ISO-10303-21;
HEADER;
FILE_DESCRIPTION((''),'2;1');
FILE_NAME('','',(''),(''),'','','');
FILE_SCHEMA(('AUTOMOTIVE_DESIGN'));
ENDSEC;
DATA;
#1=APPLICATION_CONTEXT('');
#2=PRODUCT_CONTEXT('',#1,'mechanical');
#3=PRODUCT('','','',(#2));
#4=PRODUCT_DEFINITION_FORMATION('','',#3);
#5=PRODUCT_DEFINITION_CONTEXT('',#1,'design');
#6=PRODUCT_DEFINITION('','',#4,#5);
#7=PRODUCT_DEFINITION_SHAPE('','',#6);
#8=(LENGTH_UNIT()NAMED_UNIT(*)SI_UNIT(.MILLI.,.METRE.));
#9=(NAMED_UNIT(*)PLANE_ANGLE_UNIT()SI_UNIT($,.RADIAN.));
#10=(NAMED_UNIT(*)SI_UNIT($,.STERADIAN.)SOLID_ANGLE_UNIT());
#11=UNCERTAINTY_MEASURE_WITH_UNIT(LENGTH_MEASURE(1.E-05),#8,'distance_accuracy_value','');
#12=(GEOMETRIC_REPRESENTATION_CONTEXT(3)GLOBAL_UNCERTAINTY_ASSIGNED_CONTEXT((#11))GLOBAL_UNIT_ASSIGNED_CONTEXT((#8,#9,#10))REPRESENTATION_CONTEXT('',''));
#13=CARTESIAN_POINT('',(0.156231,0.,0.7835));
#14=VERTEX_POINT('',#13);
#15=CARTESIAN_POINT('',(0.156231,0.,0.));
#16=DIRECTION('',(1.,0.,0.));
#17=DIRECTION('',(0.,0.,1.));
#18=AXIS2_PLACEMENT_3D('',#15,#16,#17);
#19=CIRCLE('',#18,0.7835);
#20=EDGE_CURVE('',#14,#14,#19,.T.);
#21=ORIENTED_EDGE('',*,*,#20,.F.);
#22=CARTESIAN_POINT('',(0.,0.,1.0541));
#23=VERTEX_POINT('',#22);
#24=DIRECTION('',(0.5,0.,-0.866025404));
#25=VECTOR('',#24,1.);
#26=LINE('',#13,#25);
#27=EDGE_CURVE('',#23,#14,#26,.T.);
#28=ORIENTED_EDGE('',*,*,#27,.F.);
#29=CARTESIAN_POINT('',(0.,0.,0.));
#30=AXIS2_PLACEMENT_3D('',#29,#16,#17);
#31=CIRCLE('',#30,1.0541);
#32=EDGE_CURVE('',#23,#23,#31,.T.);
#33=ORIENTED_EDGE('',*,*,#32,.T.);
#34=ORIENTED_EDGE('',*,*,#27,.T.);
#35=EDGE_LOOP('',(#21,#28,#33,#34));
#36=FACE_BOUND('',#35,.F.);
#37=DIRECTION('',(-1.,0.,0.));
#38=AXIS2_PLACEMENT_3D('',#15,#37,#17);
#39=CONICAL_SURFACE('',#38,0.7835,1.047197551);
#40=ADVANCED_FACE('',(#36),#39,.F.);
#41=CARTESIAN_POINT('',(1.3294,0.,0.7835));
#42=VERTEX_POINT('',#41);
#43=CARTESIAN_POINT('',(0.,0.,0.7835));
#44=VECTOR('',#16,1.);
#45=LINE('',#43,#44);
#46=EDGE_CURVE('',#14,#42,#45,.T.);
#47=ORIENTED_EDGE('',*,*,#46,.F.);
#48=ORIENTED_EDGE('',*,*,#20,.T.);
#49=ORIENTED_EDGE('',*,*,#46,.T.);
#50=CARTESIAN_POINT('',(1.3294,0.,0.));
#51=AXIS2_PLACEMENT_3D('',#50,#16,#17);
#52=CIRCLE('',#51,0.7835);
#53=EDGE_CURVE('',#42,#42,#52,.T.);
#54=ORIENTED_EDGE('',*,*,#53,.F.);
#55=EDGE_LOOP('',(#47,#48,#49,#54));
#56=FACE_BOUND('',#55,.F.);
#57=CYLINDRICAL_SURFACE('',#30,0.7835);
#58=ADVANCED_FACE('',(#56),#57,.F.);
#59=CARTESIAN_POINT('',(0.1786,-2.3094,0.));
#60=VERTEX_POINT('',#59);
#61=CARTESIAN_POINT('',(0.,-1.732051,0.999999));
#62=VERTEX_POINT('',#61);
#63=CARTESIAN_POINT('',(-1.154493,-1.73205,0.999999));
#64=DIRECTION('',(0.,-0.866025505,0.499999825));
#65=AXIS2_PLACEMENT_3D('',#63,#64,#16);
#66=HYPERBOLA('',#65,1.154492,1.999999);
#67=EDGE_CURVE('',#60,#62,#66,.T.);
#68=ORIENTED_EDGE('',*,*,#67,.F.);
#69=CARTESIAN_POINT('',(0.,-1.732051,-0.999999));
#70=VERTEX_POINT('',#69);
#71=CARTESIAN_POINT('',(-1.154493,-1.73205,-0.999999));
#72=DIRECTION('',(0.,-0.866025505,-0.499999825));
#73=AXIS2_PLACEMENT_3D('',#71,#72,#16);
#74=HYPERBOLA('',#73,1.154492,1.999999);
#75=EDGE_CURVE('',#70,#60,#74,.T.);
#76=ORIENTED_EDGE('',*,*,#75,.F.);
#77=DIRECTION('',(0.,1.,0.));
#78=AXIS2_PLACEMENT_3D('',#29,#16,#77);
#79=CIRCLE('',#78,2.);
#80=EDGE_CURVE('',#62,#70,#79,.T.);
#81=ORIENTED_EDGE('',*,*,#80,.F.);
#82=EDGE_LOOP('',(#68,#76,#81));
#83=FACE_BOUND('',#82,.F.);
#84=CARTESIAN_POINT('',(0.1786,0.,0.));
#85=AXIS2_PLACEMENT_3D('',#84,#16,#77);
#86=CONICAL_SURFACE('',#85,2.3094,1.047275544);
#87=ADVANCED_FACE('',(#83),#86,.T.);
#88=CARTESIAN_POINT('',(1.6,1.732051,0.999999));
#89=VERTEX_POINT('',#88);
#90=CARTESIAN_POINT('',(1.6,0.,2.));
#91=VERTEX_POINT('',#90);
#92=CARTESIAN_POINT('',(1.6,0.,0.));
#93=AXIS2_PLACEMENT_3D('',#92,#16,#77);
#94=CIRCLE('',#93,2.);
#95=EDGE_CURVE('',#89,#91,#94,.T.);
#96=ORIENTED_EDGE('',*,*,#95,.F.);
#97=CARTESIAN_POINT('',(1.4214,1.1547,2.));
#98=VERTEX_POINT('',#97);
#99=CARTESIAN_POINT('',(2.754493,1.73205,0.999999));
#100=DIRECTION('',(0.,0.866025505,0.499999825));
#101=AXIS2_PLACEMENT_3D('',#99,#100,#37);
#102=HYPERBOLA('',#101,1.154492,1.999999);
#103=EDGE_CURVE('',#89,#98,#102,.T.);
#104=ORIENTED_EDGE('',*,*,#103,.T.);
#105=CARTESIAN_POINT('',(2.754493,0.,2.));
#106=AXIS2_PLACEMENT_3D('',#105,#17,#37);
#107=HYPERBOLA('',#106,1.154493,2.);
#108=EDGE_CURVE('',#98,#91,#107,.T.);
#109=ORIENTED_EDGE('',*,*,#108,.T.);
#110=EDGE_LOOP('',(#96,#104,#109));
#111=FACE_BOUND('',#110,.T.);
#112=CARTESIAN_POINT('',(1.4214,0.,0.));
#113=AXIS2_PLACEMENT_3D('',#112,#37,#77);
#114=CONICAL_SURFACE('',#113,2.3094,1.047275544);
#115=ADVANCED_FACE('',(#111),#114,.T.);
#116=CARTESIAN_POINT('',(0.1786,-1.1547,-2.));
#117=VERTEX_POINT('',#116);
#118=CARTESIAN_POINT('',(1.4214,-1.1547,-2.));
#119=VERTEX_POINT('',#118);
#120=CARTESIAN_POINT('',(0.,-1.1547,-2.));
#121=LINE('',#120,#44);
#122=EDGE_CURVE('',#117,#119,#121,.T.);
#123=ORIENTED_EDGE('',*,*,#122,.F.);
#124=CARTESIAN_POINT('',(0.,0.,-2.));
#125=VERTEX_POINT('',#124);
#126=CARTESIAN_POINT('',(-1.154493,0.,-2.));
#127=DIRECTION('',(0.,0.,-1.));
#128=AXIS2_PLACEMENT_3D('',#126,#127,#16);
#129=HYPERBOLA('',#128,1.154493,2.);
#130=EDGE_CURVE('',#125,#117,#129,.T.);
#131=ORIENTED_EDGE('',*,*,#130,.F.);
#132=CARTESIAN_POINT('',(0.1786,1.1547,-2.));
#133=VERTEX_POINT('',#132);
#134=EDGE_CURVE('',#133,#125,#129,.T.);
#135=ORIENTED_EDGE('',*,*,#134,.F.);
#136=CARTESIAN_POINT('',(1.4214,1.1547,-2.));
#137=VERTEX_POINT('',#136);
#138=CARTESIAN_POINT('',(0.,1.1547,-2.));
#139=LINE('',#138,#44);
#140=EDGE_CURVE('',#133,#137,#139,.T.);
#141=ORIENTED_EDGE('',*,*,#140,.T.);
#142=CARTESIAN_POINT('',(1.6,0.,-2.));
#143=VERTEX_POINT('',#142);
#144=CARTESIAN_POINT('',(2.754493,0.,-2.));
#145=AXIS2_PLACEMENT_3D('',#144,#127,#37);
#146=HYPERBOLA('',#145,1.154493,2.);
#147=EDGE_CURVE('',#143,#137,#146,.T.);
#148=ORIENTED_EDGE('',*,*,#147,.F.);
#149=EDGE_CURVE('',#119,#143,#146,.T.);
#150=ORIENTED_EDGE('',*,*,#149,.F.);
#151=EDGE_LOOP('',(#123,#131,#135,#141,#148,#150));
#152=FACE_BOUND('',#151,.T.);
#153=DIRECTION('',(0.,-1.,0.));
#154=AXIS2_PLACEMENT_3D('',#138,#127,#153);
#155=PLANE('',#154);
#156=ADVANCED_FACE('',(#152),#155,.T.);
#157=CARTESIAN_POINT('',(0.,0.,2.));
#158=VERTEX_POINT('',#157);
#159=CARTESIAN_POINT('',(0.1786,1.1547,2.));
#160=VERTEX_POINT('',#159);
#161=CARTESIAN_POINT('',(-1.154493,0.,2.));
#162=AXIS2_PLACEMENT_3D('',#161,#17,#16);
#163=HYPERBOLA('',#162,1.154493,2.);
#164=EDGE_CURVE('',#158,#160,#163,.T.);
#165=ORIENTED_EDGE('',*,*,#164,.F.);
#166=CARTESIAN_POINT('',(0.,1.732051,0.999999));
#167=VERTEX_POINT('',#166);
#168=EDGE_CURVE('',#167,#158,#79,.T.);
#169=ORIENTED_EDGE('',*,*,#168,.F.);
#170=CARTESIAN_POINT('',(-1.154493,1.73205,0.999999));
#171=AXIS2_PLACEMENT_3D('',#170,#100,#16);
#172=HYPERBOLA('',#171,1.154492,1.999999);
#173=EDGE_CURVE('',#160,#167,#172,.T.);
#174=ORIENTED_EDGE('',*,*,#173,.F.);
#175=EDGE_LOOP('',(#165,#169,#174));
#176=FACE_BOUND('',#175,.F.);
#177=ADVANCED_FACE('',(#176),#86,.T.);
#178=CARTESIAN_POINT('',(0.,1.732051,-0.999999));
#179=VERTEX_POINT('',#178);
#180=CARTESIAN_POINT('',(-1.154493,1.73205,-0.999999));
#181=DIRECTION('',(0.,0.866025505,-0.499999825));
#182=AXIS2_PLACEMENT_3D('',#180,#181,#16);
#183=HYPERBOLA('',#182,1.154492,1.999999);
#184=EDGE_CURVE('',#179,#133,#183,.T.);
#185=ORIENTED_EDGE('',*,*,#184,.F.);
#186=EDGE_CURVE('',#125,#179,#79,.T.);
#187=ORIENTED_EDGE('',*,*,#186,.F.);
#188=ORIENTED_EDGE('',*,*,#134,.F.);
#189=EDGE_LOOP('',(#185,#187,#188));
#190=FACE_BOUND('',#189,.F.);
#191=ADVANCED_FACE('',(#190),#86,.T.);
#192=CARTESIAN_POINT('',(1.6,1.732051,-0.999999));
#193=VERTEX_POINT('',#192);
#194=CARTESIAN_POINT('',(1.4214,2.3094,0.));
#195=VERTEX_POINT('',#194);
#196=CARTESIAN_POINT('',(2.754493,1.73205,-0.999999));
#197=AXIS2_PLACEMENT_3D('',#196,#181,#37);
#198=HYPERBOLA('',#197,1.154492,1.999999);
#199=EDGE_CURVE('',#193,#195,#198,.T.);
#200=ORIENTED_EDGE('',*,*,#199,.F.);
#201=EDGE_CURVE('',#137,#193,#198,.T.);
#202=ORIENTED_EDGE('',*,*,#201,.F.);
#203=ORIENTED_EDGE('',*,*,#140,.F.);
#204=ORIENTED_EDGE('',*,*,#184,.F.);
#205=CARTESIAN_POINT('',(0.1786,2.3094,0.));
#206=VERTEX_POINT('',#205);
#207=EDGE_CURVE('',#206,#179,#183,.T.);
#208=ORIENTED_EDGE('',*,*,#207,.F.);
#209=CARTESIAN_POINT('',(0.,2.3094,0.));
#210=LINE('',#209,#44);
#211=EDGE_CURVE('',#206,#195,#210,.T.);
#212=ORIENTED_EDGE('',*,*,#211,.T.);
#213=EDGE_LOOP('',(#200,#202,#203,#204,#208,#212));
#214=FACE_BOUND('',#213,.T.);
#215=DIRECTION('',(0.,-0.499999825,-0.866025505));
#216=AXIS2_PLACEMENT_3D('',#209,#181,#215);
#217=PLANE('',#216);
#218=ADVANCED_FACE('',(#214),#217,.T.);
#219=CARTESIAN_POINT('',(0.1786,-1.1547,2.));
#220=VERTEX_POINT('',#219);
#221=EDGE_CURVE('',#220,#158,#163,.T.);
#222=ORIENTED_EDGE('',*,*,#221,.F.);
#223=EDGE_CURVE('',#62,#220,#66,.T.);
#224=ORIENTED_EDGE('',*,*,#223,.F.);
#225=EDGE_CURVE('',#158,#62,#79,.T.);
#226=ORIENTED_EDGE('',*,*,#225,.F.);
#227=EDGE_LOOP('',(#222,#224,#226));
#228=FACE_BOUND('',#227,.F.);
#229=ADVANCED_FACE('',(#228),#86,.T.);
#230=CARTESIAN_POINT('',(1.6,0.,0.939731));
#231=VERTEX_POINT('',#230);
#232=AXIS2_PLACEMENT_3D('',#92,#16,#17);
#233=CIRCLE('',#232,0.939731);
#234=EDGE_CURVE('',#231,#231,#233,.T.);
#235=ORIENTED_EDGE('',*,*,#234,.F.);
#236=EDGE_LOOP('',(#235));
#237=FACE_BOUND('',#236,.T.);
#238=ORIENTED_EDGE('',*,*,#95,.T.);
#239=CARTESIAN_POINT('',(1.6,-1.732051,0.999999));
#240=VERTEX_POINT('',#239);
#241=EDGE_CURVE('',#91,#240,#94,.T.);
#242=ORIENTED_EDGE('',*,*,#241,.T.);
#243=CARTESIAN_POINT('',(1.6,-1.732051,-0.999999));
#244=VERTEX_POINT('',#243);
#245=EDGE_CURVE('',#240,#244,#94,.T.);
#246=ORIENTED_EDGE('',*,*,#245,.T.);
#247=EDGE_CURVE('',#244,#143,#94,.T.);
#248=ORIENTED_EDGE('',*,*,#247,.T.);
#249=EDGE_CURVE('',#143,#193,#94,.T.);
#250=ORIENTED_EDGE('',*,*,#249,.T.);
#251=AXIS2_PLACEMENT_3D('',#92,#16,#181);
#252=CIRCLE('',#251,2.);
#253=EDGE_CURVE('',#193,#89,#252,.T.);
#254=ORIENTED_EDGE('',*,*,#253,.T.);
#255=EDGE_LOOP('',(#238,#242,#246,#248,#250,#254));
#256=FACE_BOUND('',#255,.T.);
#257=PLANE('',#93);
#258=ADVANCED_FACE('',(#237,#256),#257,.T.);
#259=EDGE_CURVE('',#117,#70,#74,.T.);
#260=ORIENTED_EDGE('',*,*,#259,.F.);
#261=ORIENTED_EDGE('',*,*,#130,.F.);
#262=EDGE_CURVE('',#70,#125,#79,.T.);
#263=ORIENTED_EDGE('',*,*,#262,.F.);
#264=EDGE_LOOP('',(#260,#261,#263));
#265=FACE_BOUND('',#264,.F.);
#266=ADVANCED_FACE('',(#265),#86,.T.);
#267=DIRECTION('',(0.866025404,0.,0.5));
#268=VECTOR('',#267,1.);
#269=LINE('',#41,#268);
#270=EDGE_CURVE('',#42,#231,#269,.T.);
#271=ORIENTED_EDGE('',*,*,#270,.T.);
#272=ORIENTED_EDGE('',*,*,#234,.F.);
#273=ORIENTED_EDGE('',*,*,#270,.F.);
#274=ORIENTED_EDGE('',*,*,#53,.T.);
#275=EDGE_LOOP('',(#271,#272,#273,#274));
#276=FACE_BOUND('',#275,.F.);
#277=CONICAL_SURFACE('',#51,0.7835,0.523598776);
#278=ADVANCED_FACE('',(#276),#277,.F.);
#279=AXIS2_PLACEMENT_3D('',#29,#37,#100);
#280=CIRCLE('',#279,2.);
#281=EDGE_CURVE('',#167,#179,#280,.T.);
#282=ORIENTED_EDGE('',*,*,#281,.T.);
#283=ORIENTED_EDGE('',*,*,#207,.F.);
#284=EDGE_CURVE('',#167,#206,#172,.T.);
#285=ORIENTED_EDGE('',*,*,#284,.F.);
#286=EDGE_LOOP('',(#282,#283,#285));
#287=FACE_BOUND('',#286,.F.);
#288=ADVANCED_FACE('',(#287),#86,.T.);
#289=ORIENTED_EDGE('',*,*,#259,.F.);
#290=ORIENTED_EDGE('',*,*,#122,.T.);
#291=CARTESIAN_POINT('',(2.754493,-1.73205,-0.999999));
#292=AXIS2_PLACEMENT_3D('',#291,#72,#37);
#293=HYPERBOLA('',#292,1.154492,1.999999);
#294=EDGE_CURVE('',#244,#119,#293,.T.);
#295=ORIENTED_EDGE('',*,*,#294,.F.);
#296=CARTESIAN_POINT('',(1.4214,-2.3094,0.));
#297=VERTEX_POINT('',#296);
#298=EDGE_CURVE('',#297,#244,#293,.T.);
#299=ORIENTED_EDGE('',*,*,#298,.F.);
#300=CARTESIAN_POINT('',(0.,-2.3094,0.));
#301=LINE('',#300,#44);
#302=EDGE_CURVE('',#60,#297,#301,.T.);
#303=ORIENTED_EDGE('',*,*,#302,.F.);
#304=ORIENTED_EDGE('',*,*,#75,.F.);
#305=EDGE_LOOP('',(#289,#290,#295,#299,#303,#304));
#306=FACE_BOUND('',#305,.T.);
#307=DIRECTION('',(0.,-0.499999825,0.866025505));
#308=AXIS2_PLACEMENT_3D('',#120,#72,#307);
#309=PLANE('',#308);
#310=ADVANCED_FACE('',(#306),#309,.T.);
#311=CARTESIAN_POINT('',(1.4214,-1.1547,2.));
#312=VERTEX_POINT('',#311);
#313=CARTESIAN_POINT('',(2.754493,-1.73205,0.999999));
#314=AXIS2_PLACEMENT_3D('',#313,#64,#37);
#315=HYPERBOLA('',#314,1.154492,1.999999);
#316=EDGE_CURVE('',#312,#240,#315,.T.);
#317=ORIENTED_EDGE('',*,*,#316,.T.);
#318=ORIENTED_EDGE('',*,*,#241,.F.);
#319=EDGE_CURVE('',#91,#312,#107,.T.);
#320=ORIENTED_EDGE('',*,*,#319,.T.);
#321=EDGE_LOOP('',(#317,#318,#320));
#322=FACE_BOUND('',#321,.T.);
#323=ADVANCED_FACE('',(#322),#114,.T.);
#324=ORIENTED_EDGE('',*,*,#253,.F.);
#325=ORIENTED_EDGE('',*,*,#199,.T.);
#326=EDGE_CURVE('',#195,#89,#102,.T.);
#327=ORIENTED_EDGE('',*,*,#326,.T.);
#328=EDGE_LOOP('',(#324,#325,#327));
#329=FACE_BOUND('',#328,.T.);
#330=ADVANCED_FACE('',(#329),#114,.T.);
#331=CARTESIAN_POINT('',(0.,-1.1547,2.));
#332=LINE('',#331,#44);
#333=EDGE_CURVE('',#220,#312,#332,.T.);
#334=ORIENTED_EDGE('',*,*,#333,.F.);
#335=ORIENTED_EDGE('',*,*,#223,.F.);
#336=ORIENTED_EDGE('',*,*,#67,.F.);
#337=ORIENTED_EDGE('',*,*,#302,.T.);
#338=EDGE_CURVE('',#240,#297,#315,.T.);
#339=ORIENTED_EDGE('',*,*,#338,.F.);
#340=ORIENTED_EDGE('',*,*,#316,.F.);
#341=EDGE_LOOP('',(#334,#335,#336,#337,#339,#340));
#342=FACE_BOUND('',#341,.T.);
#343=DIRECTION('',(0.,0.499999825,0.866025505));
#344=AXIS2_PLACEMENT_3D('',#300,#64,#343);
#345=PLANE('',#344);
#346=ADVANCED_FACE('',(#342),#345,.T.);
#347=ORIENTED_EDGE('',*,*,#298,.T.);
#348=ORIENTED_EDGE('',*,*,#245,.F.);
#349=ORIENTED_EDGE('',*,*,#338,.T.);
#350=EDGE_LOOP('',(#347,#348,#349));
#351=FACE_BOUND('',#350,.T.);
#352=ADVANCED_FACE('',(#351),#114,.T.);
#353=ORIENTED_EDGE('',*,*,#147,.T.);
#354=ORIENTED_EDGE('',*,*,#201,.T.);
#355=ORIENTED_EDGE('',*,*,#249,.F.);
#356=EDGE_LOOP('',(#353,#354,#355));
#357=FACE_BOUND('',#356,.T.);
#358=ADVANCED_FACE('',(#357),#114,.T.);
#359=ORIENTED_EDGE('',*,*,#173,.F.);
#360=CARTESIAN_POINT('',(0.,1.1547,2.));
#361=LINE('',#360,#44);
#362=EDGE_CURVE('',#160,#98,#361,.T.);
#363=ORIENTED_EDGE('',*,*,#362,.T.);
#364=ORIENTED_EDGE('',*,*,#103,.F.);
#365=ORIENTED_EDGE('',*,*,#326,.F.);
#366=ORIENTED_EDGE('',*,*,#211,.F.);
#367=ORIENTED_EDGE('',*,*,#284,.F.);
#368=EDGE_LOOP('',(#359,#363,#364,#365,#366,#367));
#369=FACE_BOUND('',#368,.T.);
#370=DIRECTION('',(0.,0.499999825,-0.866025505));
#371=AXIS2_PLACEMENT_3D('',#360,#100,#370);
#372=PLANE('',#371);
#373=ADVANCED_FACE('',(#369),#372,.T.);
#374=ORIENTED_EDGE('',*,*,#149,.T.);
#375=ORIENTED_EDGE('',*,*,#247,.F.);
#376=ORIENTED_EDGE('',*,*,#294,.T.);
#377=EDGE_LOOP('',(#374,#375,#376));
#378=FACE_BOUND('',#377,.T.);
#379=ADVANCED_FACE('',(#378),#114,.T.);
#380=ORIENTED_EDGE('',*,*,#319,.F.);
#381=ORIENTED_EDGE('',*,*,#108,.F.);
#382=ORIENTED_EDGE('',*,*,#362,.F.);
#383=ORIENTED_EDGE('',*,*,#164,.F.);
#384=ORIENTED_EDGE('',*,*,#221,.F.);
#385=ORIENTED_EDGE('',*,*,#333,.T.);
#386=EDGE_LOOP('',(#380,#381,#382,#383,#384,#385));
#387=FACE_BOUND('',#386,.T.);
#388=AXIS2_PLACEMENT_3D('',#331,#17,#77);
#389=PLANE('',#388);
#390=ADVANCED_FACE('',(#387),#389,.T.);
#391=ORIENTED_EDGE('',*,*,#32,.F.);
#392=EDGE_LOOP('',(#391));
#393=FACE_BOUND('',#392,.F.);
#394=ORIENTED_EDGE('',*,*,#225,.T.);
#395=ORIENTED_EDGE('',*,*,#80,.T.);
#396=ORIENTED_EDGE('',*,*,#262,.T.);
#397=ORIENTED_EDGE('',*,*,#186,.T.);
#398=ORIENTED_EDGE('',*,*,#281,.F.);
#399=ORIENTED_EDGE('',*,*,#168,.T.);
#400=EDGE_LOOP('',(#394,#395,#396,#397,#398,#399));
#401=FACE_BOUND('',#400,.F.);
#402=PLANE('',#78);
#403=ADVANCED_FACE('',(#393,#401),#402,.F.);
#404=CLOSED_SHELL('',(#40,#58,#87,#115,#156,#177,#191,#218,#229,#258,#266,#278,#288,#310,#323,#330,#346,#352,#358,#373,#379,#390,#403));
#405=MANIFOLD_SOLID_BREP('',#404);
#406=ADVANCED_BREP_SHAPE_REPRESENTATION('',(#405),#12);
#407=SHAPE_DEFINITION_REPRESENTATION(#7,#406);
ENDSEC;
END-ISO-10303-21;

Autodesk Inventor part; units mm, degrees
ref_plane "YZ Plane" through (0, 0, 0) normal (1, 0, 0) x (0, 1, 0)
sketch "Sketch1" plane through (0, 0, 0) normal (1, 0, 0) x (0, 1, 0)
  line L0 (2.3094, 0) -> (1.1547, -2)
  line L1 (1.1547, -2) -> (-1.1547, -2)
  line L2 (-1.1547, -2) -> (-2.3094, 0)
  line L3 (-2.3094, 0) -> (-1.1547, 2)
  line L4 (-1.1547, 2) -> (1.1547, 2)
  line L5 (1.1547, 2) -> (2.3094, 0)
  point P0 (0, 0)
  point P1 (0, 0)
  dimension "d0" = 4.6188
extrude "Body" add sketch "Sketch1" along normal blind 1.6
sketch "Sketch2" plane through (0, 0, 0) normal (-1, 0, 0) x (0, 0, 1)
  point P0 (0, 0)
hole "Thread" at (0, 0, 0) direction (1, 0, 0) diameter 1.567 end through all thread size "M2x0.4" class "6H" standard "ISO Metric profile"
chamfer "Chamfer1" distance 0.2706 angle 30 1 edges at (0, 0, -0.7835) measured on face at (0, -1.3696, 0.815)
chamfer "Chamfer4" distance 0.2706 angle 30 1 edges at (1.6, 0, -0.7835) measured on face at (0.6375, 0.063, 0.781)
sketch "Sketch3" plane through (0, 0, 0) normal (0, 0, 1) x (1, 0, 0)
  line L0 (0, 2.3094) -> (1.6, 2.3094) projected
  line L1 (1.6, 1.1547) -> (1.6, 2.3094) projected
  line L2 (-0.48, 0) -> (2.88, 0) projected
  line L3 (1.4214, 2.3094) -> (1.6, 2)
  dimension "d3" = 4
  dimension "d4" = 30
revolve "Chamfer3" cut sketch "Sketch3" angle 360 about axis through (-10, 0, 0) along (1, 0, 0)
ref_plane "Work Plane1" through (6.3161, 0, 0) normal (0, 0.866, -0.5) x (-1, 0, 0)
ref_plane "Work Plane2" through (0.8, 0, 0) normal (1, 0, 0) x (0, 0, -1)
mirror "Mirror1" about plane through (0.8, 0, 0) normal (1, 0, 0) of "Chamfer3"
sketch "Sketch5" plane through (1.6, 0, 0) normal (1, 0, 0) x (0, 0, -1)
  point P0 (0, 0)
equation "\"d31\" = -0.5 * GD1 + 0.5 * NND"
equation "\"d0\" = 1.1547 * SW"
equation "\"d13\" = -0.5 * GD1 + 0.5 * NND"
equation "\"d21\" = -0.5 * GD1 + 0.5 * NND"
equation "\"d3\" = SW01"
equation "\"d4\" = ANG2"
equation "\"ANG2\" = 30deg"
equation "\"NND\" = 3"
equation "\"KOH\" = 2.4"
equation "\"SW\" = 4"
equation "\"SW01\" = SW"
equation "\"GUL\" = 0.541266 * PTC"
equation "\"TOA\" = 30deg"
equation "\"PTC\" = 0.5"
equation "\"E0\" = 1.155 * SW"
equation "\"THREADDIA\" = 3"
equation "\"GAL\" = 0.541266 * PTC"
equation "\"GD1\" = 2.458734"
properties part number "KS B 1012 - M 3" material "Stainless Steel"
